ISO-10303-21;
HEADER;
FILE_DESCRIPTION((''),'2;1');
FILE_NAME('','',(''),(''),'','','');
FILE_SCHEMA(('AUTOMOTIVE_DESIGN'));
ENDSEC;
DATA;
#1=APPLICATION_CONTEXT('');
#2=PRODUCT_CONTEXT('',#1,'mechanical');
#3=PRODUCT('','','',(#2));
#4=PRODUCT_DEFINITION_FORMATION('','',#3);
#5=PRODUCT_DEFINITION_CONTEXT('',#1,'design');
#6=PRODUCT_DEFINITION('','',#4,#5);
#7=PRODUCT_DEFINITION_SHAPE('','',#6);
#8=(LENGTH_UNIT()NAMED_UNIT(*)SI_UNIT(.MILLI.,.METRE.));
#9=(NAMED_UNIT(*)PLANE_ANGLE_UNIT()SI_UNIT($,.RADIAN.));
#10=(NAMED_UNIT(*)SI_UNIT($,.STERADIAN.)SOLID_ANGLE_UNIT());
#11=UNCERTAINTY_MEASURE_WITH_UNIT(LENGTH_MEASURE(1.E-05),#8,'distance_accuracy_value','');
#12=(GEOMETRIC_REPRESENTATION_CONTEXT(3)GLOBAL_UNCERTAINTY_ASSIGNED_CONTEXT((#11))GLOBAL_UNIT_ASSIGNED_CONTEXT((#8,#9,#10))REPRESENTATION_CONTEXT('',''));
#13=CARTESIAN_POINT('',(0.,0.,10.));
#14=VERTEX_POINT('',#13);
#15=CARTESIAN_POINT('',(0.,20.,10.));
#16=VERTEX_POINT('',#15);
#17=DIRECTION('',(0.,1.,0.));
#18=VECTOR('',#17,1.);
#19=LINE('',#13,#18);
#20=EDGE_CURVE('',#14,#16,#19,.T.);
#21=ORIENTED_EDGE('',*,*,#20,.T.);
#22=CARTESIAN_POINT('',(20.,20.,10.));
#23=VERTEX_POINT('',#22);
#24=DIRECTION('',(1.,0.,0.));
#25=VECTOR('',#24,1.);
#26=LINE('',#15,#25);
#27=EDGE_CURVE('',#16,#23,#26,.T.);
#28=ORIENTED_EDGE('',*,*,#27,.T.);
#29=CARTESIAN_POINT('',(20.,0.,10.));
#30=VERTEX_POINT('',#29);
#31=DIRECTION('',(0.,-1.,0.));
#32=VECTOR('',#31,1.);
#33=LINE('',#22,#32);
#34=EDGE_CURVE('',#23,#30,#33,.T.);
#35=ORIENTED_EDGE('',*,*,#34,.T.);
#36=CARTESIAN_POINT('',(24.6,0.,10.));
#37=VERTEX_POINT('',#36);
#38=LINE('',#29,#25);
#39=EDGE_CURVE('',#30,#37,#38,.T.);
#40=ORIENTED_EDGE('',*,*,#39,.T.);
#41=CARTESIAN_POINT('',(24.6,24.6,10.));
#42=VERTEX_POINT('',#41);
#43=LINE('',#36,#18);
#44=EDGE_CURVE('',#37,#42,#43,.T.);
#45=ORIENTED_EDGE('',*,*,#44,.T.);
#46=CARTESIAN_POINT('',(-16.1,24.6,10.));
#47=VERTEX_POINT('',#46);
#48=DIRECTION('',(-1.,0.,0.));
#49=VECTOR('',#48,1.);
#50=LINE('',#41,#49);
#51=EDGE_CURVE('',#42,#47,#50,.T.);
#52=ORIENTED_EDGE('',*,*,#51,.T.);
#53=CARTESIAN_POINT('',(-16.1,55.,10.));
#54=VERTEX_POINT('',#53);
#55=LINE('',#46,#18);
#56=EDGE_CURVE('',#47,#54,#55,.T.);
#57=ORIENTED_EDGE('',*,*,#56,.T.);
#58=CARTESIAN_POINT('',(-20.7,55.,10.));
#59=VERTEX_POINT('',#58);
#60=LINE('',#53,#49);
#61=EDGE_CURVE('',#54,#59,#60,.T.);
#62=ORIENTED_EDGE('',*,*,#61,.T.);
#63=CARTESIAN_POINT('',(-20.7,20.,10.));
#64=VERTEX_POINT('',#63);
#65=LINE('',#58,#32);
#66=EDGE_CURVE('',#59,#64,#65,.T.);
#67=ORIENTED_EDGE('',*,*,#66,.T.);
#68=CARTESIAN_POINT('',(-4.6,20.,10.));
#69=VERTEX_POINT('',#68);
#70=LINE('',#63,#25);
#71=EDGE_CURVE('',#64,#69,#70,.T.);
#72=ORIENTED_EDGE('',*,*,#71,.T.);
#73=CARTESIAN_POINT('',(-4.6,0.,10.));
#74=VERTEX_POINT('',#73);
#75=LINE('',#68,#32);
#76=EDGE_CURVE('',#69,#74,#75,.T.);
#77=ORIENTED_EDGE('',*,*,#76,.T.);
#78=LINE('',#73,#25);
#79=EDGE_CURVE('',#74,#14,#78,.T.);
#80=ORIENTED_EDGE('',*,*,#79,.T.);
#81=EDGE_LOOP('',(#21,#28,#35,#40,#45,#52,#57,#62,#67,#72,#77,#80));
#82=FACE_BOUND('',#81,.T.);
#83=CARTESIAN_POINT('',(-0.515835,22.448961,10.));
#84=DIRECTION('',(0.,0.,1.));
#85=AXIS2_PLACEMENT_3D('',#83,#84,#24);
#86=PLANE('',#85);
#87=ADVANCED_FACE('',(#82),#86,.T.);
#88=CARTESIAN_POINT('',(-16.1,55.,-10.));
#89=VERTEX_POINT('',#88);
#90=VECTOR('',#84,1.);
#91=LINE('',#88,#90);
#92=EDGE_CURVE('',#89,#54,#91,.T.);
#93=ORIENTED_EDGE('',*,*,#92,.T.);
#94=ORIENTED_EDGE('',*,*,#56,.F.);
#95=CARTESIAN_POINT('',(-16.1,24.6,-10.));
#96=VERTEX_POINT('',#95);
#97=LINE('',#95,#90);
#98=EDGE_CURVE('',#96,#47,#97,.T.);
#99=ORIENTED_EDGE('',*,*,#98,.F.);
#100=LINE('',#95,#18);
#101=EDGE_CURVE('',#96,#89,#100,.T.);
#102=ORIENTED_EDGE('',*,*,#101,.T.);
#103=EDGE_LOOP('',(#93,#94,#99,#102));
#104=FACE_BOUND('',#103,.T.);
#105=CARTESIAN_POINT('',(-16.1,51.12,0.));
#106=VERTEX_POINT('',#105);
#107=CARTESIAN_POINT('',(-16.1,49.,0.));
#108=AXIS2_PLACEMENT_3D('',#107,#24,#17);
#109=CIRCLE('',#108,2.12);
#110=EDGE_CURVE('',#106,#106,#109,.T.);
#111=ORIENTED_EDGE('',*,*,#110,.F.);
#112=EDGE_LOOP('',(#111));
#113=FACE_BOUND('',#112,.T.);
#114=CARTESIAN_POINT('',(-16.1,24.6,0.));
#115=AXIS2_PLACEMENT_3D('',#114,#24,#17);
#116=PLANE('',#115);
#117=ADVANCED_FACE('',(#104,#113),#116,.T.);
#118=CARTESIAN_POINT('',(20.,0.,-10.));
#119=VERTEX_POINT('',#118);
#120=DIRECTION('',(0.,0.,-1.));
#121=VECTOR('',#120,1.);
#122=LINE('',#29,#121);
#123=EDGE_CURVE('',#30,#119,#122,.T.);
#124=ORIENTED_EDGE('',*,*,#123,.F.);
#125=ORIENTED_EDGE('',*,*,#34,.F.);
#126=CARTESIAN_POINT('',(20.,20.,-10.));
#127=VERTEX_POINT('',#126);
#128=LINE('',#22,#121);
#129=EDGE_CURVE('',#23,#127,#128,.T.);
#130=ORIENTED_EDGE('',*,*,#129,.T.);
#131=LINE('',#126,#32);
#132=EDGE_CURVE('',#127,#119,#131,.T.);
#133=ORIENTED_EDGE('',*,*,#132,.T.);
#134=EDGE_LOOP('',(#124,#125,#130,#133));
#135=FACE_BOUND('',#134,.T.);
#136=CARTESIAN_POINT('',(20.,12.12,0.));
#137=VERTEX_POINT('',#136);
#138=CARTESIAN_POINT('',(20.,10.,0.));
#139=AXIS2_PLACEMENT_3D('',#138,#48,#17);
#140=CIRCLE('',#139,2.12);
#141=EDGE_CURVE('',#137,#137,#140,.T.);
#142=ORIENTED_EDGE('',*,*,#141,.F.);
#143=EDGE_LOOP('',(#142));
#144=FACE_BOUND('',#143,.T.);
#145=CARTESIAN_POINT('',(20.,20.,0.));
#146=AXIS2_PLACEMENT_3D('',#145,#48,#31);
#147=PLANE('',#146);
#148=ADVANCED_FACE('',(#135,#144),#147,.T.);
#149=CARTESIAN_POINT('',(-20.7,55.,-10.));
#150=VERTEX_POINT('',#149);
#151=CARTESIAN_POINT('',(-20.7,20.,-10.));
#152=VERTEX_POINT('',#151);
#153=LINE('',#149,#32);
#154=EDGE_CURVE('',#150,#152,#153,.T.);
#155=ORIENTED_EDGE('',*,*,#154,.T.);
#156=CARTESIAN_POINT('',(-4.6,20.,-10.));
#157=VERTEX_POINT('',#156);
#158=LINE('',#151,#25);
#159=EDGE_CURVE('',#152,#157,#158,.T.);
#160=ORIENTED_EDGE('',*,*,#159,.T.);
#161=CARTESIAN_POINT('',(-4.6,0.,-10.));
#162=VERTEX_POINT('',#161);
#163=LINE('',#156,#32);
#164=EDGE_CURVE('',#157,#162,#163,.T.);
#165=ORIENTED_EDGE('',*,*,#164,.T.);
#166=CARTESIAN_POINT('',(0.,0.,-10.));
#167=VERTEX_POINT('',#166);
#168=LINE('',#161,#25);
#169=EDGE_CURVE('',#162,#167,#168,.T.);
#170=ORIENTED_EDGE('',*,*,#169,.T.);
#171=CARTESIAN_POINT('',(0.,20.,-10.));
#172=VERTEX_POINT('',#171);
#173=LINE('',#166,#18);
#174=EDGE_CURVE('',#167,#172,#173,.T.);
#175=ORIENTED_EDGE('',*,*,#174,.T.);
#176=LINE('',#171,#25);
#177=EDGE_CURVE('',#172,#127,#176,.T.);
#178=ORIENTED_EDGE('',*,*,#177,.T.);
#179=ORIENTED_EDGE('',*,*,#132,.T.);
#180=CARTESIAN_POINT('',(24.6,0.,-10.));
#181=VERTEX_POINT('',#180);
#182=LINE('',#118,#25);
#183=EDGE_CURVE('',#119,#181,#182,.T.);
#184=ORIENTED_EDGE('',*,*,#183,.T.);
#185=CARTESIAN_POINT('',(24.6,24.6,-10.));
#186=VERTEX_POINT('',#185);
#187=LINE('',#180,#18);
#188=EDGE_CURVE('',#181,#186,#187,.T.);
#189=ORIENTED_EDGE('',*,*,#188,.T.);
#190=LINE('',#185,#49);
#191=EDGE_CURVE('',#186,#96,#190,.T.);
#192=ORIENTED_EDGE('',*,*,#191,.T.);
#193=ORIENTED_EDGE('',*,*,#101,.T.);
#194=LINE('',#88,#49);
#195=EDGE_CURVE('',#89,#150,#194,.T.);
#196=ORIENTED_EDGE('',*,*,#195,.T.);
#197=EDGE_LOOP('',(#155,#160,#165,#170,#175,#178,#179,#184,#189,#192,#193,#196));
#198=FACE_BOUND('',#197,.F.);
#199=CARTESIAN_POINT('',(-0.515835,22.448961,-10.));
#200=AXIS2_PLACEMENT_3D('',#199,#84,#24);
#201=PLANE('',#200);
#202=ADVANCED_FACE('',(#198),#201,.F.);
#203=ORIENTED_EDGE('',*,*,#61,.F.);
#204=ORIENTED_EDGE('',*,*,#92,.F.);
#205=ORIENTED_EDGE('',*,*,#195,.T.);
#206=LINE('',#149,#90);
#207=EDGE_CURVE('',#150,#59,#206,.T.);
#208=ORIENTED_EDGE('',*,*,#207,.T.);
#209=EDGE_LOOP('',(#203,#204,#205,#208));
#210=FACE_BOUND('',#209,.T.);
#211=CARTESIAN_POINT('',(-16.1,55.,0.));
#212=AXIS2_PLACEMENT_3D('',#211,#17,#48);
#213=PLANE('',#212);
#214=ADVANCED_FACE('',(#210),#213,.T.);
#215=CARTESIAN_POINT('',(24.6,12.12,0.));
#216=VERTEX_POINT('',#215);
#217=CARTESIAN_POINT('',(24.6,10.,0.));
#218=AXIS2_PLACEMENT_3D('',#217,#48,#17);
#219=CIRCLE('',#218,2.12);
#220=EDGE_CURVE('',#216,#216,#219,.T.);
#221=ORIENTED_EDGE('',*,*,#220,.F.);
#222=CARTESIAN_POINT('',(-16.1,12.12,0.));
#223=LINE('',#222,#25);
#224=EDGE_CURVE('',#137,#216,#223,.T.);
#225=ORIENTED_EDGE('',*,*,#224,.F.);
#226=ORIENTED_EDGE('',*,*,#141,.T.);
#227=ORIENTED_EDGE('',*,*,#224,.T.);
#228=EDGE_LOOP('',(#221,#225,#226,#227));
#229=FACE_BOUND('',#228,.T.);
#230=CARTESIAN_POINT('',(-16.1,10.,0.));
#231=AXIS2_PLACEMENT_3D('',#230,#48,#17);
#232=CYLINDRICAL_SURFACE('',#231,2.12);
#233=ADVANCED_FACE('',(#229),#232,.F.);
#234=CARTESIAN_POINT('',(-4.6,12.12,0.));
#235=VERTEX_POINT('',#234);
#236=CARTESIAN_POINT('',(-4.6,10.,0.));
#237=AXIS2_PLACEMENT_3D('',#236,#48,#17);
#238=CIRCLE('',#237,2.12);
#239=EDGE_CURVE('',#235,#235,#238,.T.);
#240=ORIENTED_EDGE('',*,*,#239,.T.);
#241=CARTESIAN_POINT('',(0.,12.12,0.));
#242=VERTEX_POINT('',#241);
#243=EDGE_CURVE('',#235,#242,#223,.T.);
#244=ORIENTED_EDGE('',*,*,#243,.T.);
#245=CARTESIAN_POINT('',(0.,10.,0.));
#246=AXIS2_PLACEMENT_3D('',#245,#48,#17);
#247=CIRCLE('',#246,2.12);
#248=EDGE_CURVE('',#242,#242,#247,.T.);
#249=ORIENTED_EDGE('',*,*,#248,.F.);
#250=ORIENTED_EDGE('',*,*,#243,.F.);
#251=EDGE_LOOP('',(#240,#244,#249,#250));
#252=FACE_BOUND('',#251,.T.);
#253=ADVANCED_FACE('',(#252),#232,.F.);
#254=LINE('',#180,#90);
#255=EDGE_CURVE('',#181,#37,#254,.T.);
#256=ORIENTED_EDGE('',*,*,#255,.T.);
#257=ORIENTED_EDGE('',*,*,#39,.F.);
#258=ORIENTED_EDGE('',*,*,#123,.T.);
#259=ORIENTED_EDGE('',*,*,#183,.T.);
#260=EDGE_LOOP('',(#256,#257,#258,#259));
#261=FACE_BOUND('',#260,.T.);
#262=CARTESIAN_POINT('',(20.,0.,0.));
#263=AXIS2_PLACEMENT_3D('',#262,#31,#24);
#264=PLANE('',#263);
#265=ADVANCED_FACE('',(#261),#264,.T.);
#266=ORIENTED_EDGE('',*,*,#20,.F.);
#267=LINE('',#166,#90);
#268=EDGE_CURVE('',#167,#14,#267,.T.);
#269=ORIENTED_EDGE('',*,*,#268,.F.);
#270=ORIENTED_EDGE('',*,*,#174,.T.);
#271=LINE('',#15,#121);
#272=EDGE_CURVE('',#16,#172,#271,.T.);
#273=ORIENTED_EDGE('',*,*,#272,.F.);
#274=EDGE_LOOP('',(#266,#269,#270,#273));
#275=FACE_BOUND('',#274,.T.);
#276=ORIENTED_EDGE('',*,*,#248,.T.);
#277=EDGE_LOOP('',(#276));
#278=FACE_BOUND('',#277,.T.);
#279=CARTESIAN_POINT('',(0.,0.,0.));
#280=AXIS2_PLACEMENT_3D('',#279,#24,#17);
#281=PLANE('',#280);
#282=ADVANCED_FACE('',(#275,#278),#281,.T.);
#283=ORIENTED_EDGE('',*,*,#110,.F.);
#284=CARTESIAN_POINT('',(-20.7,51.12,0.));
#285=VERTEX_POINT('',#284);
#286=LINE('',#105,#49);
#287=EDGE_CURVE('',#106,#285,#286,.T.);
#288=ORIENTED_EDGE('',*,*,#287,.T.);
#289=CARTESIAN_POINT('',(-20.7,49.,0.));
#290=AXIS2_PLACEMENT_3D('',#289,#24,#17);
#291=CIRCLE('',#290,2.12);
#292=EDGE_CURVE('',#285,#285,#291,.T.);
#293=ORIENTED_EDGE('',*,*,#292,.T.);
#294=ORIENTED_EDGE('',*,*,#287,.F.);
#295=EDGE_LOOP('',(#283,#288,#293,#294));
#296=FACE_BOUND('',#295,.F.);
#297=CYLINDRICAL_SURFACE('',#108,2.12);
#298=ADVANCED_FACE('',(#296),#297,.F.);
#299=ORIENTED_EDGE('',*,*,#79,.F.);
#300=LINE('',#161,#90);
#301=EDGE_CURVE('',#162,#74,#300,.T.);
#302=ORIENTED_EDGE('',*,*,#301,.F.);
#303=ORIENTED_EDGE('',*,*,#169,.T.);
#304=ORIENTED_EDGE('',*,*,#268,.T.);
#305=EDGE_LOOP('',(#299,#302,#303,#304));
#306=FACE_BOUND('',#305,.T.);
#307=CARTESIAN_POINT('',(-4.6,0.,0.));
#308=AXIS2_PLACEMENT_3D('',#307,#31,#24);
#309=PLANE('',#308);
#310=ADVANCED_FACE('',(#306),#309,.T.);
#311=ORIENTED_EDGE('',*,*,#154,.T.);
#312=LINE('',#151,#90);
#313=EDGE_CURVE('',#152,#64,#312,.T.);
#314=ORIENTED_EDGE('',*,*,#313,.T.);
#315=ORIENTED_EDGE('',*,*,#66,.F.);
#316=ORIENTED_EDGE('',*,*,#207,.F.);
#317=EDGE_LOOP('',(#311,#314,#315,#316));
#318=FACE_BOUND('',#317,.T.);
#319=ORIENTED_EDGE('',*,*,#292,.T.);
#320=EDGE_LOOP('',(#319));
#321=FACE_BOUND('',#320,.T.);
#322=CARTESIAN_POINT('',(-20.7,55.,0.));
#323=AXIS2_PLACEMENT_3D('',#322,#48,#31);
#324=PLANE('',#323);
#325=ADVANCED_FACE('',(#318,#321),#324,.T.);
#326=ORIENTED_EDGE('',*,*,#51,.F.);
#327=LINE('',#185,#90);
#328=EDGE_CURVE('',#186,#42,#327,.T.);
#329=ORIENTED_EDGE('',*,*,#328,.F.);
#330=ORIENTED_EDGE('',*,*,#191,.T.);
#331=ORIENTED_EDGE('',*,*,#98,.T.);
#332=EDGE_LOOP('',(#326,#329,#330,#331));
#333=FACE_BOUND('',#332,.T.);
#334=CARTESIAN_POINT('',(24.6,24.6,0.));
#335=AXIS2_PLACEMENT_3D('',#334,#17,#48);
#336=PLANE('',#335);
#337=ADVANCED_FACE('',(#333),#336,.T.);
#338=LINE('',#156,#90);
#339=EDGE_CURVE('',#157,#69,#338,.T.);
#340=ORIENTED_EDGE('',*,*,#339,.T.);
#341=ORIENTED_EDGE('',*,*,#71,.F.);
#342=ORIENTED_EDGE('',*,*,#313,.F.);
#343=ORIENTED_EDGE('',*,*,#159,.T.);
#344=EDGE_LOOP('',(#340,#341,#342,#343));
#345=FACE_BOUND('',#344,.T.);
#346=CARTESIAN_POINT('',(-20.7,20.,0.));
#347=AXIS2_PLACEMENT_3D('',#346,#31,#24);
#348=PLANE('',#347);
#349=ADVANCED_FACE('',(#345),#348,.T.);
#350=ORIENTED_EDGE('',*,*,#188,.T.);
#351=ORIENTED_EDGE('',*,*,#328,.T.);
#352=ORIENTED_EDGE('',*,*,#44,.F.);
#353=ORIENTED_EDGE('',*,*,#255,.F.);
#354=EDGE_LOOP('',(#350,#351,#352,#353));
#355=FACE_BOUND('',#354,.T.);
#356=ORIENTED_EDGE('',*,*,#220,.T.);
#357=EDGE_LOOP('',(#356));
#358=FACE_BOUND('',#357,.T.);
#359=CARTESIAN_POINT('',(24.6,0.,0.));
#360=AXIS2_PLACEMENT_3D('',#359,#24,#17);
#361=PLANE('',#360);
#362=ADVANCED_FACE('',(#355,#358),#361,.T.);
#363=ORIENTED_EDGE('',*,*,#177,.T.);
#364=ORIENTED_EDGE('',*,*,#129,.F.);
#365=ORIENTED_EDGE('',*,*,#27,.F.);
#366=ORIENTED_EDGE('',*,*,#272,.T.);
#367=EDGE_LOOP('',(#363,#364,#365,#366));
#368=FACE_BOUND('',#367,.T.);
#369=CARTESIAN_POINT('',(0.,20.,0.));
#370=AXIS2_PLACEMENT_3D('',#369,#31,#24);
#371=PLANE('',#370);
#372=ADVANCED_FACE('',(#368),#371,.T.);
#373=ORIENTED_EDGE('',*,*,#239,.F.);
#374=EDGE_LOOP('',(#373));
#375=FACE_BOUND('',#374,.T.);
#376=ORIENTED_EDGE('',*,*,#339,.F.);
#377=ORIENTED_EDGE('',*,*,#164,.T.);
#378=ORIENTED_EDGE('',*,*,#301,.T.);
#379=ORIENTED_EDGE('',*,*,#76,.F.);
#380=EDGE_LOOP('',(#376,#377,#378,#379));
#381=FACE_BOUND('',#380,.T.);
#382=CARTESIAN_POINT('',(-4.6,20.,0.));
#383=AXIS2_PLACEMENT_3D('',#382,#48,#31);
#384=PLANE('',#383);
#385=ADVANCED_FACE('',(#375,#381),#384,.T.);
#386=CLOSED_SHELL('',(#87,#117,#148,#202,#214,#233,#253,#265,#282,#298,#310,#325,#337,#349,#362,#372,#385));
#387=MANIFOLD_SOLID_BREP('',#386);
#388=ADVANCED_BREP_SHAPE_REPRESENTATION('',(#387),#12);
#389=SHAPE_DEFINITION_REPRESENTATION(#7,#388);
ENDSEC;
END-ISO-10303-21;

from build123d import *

# Parameters (mm, degrees)
F1_DEPTH      = 10
F2_R          = 2.12
F3_DEPTH      = 4.601
F3_DEPTH_BACK = 40.701


with BuildPart() as f1:
    # F0 (on Top) → F1 (new body, symmetric)
    with BuildSketch(Plane.XY):
        Polygon((20, 0), (24.6, 0), (24.6, 24.6), (-16.1, 24.6), (-16.1, 55), (-20.7, 55), (-20.7, 20), (-4.6, 20), (-4.6, 0), (0, 0), (0, 20), (20, 20), align=None)
    extrude(amount=F1_DEPTH, both=True)

    # F2 (on face) → F3 (cut, two sides)
    with BuildSketch(Plane.YZ.offset(-16.1)) as f3_sk:
        with Locations((49, 0)):
            Circle(F2_R)
        with Locations((10, 0)):
            Circle(F2_R)
    extrude(amount=-F3_DEPTH, mode=Mode.SUBTRACT)
    extrude(f3_sk.sketch, amount=F3_DEPTH_BACK, mode=Mode.SUBTRACT)


solid = f1.part
